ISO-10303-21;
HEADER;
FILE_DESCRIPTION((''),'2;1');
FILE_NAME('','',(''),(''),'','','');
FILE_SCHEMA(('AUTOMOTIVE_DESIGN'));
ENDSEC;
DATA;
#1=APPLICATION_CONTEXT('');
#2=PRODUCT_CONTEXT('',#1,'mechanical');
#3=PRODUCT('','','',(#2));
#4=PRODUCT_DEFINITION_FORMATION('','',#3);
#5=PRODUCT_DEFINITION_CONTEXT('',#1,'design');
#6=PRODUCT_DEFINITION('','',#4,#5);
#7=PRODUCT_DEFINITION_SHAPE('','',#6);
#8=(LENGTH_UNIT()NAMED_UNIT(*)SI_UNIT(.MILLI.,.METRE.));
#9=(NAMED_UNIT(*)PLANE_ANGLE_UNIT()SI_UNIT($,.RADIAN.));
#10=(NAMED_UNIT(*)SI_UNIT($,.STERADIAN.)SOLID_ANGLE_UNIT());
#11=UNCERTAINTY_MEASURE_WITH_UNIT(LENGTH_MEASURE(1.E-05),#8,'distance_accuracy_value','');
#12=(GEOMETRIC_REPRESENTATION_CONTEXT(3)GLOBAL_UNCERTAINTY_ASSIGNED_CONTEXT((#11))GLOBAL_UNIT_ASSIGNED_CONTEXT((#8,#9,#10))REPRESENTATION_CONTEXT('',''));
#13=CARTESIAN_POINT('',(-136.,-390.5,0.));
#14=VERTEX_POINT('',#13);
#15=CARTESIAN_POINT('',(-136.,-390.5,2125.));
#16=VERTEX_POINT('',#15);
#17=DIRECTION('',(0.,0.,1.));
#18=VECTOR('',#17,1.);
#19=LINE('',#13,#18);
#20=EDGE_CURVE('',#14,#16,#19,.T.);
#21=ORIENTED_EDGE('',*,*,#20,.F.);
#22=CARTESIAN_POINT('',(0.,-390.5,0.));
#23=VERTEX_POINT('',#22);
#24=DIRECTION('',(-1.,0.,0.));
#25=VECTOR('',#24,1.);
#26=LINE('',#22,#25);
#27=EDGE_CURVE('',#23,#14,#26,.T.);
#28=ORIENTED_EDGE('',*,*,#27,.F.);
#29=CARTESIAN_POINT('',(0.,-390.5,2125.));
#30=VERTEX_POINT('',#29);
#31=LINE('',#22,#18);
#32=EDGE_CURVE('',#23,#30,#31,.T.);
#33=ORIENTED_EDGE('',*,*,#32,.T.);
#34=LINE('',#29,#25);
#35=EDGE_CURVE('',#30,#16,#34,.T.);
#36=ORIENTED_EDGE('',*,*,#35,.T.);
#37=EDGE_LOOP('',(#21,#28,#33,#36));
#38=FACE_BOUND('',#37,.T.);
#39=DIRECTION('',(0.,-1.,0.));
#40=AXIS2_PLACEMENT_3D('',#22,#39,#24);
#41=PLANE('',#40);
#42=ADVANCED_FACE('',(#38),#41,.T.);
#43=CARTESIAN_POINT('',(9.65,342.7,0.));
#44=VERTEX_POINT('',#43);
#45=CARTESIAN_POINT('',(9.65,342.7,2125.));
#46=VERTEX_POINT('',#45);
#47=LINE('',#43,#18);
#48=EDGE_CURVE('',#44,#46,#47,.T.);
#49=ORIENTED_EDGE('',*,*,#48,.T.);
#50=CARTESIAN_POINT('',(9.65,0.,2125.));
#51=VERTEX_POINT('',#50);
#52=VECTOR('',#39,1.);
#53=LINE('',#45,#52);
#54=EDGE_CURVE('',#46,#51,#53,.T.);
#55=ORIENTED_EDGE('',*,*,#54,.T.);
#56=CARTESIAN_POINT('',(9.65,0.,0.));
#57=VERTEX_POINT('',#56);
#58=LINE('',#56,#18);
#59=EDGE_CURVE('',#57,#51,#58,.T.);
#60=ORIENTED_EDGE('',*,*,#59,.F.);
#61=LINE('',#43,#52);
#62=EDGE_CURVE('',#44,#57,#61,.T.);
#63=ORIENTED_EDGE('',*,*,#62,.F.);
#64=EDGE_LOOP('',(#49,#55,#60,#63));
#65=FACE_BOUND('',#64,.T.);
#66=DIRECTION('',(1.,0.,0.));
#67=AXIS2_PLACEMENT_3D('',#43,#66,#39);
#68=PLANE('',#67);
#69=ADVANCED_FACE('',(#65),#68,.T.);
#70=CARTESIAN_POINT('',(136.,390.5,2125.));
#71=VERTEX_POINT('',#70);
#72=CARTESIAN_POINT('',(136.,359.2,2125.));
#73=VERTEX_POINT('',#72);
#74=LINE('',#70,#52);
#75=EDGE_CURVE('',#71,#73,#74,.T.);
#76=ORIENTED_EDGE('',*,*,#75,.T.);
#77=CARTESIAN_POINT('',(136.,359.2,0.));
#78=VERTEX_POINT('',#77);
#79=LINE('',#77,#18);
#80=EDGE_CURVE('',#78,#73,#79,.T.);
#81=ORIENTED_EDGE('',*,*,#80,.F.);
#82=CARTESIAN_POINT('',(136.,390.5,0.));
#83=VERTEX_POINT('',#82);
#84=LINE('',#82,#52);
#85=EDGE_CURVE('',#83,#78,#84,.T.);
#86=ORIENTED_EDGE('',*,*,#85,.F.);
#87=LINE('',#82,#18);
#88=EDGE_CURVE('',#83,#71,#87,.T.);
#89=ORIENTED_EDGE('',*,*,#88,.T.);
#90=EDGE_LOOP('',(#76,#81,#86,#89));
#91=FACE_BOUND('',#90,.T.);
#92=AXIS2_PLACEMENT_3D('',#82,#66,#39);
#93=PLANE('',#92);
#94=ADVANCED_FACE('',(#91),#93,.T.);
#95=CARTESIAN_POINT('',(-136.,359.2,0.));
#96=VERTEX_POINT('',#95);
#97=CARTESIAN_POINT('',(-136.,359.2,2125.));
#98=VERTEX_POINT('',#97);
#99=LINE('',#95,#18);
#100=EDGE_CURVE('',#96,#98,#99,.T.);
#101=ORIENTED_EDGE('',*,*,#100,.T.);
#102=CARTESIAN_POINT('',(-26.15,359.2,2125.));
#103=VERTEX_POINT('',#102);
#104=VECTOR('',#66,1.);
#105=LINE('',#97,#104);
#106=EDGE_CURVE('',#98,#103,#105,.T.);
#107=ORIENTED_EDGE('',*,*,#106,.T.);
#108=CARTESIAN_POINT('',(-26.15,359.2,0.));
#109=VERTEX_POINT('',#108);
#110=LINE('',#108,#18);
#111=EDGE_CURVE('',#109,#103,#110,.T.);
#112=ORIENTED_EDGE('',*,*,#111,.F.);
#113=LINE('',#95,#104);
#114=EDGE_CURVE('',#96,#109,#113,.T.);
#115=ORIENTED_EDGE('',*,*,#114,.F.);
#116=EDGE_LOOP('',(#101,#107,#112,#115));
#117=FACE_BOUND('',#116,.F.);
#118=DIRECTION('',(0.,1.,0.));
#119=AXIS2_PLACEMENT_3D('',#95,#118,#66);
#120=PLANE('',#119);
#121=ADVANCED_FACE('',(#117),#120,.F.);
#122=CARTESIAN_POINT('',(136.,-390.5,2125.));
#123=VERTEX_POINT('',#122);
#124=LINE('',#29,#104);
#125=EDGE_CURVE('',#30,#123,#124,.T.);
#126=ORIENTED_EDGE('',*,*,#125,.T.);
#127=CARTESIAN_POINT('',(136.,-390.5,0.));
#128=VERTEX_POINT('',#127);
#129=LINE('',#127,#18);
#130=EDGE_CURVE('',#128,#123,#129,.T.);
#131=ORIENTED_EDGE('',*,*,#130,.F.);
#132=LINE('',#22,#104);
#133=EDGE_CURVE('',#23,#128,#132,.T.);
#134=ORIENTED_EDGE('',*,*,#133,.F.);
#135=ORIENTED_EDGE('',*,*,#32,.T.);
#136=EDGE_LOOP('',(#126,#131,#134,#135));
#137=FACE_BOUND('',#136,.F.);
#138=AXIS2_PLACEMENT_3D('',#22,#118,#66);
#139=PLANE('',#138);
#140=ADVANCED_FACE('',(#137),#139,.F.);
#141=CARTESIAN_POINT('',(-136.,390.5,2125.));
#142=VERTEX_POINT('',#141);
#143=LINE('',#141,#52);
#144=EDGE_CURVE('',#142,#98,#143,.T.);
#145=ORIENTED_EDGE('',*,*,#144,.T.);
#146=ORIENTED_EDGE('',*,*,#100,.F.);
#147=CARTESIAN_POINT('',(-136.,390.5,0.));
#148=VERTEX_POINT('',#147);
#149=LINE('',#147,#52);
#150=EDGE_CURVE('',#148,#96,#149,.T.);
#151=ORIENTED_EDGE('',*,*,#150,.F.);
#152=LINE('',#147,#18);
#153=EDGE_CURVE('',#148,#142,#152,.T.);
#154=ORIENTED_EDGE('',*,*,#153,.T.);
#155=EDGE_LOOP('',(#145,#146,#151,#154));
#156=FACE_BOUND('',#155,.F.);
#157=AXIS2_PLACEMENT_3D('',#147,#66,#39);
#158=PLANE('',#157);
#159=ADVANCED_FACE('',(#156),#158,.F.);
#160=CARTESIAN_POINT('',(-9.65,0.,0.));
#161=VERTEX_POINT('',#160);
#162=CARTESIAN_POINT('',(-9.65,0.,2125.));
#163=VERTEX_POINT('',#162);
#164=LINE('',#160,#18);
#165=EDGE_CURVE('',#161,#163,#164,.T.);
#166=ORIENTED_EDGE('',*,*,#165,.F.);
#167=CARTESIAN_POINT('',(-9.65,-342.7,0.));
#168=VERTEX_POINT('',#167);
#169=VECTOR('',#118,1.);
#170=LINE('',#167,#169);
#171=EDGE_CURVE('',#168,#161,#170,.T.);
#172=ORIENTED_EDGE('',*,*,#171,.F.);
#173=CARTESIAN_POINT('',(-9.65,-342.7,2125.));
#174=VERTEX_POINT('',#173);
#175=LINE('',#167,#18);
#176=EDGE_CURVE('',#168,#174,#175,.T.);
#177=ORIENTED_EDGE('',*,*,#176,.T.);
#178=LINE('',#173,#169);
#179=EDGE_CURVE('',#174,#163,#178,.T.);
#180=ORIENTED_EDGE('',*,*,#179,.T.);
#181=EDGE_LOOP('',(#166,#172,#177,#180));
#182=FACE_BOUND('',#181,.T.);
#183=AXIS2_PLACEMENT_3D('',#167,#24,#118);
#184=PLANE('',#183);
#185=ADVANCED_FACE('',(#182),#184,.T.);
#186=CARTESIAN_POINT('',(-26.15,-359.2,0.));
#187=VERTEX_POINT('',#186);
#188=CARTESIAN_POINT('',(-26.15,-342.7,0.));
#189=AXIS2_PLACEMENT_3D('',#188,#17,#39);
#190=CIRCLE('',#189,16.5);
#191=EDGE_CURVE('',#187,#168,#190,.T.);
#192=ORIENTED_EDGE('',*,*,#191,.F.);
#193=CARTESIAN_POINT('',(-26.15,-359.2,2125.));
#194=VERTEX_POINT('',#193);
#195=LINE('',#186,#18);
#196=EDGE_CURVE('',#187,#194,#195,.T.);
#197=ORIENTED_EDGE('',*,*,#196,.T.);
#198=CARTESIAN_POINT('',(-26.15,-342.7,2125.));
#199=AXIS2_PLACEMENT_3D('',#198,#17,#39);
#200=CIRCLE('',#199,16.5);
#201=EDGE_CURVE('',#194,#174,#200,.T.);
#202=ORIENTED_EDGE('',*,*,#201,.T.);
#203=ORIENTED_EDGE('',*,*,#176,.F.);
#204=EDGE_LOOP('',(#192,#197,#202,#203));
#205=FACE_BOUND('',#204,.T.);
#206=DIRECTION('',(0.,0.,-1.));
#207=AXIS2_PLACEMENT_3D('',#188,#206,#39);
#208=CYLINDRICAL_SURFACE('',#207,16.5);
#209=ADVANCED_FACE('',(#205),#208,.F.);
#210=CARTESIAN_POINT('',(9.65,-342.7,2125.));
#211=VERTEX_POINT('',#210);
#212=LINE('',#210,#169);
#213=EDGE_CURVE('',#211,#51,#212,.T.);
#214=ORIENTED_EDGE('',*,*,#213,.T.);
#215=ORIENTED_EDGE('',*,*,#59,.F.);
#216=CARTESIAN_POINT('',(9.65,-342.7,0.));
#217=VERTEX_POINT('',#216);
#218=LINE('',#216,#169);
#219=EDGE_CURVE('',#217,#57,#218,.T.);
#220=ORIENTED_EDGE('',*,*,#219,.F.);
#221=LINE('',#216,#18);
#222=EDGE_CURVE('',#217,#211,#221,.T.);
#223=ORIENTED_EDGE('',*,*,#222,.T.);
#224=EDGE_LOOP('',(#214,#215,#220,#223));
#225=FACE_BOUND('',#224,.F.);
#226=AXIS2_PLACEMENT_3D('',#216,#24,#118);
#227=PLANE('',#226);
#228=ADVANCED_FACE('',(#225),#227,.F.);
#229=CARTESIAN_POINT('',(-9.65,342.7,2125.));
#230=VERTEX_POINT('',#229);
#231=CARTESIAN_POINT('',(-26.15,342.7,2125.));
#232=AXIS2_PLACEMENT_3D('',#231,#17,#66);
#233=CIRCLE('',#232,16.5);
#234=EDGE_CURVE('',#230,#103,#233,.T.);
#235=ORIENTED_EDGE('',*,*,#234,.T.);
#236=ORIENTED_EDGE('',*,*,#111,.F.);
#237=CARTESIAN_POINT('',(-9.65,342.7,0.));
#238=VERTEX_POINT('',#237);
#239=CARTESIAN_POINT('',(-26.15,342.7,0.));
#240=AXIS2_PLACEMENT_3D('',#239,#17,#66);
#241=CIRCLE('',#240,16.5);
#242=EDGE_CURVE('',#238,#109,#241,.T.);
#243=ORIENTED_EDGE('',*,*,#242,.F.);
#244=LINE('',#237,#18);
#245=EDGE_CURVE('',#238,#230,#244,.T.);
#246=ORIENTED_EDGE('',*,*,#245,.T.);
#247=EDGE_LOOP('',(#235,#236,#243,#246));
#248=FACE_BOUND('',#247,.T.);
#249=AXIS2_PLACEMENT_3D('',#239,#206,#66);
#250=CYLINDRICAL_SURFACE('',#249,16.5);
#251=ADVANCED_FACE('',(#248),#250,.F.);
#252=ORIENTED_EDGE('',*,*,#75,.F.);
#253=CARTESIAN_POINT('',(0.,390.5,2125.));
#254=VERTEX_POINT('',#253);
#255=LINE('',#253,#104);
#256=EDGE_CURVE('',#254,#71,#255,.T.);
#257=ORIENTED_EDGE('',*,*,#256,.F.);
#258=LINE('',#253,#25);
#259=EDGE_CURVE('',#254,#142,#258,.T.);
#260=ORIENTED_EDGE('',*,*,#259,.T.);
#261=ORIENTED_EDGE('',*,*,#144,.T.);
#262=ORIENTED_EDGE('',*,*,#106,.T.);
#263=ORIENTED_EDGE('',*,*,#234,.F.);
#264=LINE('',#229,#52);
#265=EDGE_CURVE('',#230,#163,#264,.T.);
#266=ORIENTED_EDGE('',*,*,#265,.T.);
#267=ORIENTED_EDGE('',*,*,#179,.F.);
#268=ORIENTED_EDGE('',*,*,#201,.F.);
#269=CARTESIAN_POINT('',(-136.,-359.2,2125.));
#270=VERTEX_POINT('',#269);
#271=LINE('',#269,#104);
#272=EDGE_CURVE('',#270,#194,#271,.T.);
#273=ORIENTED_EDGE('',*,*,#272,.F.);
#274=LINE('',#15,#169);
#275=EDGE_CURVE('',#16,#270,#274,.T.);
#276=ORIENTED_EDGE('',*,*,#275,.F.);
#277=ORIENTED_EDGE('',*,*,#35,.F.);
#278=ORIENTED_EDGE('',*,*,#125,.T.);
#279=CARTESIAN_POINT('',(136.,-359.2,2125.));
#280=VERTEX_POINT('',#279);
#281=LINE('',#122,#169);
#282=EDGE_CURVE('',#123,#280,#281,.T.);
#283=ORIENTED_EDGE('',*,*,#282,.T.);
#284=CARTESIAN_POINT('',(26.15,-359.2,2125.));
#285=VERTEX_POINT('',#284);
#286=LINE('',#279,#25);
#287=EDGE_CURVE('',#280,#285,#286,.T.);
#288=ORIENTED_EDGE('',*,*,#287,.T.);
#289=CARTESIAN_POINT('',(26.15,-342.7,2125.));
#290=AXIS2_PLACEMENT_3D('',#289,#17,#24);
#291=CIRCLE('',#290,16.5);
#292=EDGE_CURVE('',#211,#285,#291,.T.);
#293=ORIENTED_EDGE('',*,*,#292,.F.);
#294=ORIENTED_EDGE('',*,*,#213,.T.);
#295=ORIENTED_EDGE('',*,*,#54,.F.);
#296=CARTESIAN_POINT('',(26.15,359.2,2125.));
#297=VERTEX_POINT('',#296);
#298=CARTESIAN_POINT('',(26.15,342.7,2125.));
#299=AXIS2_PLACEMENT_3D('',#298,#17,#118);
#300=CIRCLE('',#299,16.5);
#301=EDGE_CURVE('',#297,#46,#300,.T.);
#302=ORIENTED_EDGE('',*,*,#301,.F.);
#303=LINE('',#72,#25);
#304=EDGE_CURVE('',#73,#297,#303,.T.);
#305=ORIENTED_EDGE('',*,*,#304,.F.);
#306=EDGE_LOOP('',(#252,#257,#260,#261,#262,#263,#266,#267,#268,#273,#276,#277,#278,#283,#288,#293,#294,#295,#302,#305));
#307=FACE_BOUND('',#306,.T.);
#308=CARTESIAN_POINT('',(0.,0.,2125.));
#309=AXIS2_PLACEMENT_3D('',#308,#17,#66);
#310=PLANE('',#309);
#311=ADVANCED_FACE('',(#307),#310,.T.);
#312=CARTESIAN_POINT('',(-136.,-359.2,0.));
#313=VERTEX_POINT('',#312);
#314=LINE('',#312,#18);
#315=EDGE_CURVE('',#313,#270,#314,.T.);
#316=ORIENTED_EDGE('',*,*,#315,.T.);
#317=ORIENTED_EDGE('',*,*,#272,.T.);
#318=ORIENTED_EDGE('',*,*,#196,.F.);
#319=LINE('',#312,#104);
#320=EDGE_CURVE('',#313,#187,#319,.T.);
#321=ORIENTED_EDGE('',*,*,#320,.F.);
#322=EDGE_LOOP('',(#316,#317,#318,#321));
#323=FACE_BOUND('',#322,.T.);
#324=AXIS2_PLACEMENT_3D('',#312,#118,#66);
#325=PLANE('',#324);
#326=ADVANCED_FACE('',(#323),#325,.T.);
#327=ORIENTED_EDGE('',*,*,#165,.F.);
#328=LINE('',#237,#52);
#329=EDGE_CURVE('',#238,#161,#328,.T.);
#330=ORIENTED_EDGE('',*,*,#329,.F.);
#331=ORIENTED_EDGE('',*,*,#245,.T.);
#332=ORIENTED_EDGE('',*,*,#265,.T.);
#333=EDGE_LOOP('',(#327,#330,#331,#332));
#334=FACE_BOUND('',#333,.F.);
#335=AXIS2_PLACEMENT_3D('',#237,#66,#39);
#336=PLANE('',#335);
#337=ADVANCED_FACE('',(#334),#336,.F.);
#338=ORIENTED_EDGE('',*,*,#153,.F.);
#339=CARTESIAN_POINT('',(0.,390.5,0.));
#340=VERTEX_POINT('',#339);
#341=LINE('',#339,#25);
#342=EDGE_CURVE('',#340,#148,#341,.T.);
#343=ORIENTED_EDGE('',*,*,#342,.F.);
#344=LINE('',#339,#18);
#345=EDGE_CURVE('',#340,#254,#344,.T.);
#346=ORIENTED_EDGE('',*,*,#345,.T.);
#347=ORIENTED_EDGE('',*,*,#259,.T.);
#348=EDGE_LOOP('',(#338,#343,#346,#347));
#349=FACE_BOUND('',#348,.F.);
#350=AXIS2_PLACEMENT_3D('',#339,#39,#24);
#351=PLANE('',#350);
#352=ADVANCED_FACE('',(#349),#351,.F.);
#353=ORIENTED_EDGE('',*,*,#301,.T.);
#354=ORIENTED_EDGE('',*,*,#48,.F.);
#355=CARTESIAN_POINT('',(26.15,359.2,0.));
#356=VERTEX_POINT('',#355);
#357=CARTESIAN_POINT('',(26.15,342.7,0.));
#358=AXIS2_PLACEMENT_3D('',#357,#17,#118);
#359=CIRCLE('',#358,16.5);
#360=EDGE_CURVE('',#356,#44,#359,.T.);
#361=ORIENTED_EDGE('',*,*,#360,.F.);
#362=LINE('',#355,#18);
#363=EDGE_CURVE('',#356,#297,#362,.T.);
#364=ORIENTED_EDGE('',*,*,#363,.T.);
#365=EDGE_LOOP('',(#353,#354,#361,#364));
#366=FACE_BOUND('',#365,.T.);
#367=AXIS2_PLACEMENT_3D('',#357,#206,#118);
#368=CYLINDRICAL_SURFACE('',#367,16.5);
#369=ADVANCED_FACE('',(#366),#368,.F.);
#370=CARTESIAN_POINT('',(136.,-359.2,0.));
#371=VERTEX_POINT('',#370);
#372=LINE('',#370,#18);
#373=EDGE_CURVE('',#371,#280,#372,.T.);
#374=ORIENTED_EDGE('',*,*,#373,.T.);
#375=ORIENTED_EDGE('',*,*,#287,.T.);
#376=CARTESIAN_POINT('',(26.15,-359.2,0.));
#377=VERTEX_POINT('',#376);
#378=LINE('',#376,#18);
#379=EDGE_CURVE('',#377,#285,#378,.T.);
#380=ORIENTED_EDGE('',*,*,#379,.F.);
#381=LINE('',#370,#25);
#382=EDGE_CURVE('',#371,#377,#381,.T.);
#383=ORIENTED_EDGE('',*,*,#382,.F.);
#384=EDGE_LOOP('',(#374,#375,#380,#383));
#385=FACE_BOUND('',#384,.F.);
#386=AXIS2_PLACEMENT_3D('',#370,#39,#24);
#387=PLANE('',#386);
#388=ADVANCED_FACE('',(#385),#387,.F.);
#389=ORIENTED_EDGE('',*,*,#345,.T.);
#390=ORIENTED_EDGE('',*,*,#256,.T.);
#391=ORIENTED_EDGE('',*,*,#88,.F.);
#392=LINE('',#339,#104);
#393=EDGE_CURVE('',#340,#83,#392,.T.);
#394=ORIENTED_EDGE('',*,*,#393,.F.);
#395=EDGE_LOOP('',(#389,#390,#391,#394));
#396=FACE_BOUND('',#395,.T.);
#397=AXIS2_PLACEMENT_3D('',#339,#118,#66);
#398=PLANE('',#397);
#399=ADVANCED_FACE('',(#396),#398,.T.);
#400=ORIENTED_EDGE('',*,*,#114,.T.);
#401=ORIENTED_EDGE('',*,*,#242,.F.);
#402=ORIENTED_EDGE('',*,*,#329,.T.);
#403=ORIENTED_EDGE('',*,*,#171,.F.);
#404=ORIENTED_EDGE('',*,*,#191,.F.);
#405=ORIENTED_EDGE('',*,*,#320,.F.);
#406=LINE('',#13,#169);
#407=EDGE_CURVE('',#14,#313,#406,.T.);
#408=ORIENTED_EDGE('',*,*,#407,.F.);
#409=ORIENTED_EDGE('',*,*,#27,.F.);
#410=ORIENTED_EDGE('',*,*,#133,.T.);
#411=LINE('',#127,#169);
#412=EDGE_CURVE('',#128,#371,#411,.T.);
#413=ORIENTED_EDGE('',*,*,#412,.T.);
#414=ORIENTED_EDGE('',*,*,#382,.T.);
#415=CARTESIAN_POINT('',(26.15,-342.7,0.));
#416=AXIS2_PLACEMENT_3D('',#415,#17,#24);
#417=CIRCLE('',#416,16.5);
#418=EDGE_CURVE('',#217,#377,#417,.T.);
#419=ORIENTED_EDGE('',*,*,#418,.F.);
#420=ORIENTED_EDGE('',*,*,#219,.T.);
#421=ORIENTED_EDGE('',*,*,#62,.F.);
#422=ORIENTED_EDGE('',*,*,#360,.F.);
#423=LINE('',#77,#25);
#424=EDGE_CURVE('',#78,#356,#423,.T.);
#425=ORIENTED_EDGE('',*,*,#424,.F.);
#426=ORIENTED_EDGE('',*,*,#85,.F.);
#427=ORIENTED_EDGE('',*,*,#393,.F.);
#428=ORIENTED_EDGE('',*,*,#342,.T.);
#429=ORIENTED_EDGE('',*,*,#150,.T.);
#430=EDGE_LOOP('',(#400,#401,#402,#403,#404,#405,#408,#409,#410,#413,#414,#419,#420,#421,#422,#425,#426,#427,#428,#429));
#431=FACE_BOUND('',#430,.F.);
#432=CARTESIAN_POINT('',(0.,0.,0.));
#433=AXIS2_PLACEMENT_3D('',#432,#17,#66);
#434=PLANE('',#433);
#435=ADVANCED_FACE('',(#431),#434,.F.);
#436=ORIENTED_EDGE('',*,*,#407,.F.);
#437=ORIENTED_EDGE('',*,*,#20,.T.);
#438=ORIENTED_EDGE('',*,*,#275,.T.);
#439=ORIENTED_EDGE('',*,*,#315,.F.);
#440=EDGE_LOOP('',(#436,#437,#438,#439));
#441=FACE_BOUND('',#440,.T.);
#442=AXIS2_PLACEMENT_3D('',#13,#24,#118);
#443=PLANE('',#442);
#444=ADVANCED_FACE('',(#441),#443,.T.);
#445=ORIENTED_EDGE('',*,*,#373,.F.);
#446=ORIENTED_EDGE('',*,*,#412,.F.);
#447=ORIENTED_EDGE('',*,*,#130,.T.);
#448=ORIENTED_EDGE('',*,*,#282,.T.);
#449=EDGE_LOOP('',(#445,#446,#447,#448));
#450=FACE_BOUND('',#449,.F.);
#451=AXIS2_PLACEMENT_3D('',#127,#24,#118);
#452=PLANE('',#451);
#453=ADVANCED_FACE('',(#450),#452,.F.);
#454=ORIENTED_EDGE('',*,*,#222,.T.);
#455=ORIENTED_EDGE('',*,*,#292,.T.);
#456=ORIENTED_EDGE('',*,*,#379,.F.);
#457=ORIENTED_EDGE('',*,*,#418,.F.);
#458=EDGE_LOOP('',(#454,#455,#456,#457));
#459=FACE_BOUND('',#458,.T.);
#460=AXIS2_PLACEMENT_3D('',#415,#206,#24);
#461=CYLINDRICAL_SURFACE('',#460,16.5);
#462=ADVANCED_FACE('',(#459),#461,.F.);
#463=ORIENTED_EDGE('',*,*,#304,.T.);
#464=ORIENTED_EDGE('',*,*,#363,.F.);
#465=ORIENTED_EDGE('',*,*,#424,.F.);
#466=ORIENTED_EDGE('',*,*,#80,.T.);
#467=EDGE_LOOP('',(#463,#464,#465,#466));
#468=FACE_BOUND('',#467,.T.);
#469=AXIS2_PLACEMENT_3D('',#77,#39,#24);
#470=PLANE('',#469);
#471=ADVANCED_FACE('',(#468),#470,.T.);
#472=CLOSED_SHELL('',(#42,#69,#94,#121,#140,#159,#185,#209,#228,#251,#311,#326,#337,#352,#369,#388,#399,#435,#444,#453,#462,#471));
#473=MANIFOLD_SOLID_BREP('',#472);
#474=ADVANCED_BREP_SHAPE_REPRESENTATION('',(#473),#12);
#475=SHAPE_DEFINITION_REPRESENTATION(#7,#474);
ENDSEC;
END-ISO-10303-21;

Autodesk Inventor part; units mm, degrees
ref_plane "YZ Plane" through (0, 0, 0) normal (1, 0, 0) x (0, 1, 0)
ref_plane "Start plane" through (0, 0, 0) normal (0, 0, 1) x (1, 0, 0)
ref_plane "End plane" through (0, 0, 2125) normal (0, 0, 1) x (1, 0, 0)
sketch "Sketch" plane through (0, 0, 0) normal (0, 0, 1) x (1, 0, 0)
  line L0 (-136, -390.5) -> (-136, -359.2)
  line L1 (-136, -359.2) -> (-26.15, -359.2)
  line L2 (-9.65, -342.7) -> (-9.65, 0)
  line L3 (-9.65, 0) -> (0, 0) construction
  line L4 (0, 0) -> (0, -390.5) construction
  line L5 (0, -390.5) -> (-136, -390.5)
  line L6 (-60, 0) -> (80, 0) construction
  line L7 (0, -60) -> (0, 80) construction
  line L8 (136, -390.5) -> (136, -359.2)
  line L9 (136, -359.2) -> (26.15, -359.2)
  line L10 (9.65, -342.7) -> (9.65, 0)
  line L11 (9.65, 0) -> (0, 0) construction
  line L12 (0, -390.5) -> (136, -390.5)
  line L13 (-136, 390.5) -> (-136, 359.2)
  line L14 (-136, 359.2) -> (-26.15, 359.2)
  line L15 (-9.65, 342.7) -> (-9.65, 0)
  line L16 (0, 390.5) -> (-136, 390.5)
  line L17 (136, 390.5) -> (136, 359.2)
  line L18 (136, 359.2) -> (26.15, 359.2)
  line L19 (0, 390.5) -> (136, 390.5)
  line L20 (9.65, 342.7) -> (9.65, 0)
  arc A0 (-9.65, 342.7) -> (-26.15, 359.2) centre (-26.15, 342.7) ccw
  arc A1 (26.15, 359.2) -> (9.65, 342.7) centre (26.15, 342.7) ccw
  arc A2 (9.65, -342.7) -> (26.15, -359.2) centre (26.15, -342.7) ccw
  arc A3 (-26.15, -359.2) -> (-9.65, -342.7) centre (-26.15, -342.7) ccw
  line L21 (0, 108) -> (0, -88) construction
  line L22 (-88, 0) -> (108, 0) construction
  point P0 (-9.65, -359.2)
  point P1 (9.65, -359.2)
  point P2 (-9.65, 359.2)
  point P3 (9.65, 359.2)
  dimension "d1" = 390.5
  dimension "d2" = 31.3
  dimension "d3" = 136
  dimension "d4" = 9.65
  dimension "d10" = 16.5
extrude "Body" add sketch "Sketch" along normal up to surface (2125 mm away) from surface at 0
sketch "Sketch4" plane through (0, 0, 0) normal (0, 0, 1) x (1, 0, 0)
  line L0 (0, 0) -> (10, 0)
ref_plane "Work Plane3" through (0, 0, 0) normal (0, -1, 0) x (1, 0, 0)
sketch "Sketch5" plane through (0, 0, 0) normal (0, -1, 0) x (1, 0, 0)
  line L0 (-2, 0) -> (12, 0) projected
  line L1 (-2, 2125) -> (12, 2125) projected
  dimension "d14" = 2125
equation "\"d1\" = 0.5 * G_H"
equation "\"d2\" = G_T1"
equation "\"d3\" = 0.5 * G_W"
equation "\"d4\" = 0.5 * G_T"
equation "\"d10\" = G_IR"
equation "\"d5\" = G_L"
equation "\"G_W\" = 272"
equation "\"G_H\" = 781"
equation "\"G_T\" = 19.3"
equation "\"G_T1\" = 31.3"
equation "\"G_IR\" = 16.5"
equation "\"G_L\" = d14"
equation "\"G_OFFSET_START\" = 0"
equation "\"G_OFFSET_END\" = 0"
equation "\"d12\" = G_OFFSET_END + B_L"
equation "\"B_L\" = 2125"
properties part number "AS 3679-1990 - 760 UB - 244 - 2125" material "Steel, Mild"
